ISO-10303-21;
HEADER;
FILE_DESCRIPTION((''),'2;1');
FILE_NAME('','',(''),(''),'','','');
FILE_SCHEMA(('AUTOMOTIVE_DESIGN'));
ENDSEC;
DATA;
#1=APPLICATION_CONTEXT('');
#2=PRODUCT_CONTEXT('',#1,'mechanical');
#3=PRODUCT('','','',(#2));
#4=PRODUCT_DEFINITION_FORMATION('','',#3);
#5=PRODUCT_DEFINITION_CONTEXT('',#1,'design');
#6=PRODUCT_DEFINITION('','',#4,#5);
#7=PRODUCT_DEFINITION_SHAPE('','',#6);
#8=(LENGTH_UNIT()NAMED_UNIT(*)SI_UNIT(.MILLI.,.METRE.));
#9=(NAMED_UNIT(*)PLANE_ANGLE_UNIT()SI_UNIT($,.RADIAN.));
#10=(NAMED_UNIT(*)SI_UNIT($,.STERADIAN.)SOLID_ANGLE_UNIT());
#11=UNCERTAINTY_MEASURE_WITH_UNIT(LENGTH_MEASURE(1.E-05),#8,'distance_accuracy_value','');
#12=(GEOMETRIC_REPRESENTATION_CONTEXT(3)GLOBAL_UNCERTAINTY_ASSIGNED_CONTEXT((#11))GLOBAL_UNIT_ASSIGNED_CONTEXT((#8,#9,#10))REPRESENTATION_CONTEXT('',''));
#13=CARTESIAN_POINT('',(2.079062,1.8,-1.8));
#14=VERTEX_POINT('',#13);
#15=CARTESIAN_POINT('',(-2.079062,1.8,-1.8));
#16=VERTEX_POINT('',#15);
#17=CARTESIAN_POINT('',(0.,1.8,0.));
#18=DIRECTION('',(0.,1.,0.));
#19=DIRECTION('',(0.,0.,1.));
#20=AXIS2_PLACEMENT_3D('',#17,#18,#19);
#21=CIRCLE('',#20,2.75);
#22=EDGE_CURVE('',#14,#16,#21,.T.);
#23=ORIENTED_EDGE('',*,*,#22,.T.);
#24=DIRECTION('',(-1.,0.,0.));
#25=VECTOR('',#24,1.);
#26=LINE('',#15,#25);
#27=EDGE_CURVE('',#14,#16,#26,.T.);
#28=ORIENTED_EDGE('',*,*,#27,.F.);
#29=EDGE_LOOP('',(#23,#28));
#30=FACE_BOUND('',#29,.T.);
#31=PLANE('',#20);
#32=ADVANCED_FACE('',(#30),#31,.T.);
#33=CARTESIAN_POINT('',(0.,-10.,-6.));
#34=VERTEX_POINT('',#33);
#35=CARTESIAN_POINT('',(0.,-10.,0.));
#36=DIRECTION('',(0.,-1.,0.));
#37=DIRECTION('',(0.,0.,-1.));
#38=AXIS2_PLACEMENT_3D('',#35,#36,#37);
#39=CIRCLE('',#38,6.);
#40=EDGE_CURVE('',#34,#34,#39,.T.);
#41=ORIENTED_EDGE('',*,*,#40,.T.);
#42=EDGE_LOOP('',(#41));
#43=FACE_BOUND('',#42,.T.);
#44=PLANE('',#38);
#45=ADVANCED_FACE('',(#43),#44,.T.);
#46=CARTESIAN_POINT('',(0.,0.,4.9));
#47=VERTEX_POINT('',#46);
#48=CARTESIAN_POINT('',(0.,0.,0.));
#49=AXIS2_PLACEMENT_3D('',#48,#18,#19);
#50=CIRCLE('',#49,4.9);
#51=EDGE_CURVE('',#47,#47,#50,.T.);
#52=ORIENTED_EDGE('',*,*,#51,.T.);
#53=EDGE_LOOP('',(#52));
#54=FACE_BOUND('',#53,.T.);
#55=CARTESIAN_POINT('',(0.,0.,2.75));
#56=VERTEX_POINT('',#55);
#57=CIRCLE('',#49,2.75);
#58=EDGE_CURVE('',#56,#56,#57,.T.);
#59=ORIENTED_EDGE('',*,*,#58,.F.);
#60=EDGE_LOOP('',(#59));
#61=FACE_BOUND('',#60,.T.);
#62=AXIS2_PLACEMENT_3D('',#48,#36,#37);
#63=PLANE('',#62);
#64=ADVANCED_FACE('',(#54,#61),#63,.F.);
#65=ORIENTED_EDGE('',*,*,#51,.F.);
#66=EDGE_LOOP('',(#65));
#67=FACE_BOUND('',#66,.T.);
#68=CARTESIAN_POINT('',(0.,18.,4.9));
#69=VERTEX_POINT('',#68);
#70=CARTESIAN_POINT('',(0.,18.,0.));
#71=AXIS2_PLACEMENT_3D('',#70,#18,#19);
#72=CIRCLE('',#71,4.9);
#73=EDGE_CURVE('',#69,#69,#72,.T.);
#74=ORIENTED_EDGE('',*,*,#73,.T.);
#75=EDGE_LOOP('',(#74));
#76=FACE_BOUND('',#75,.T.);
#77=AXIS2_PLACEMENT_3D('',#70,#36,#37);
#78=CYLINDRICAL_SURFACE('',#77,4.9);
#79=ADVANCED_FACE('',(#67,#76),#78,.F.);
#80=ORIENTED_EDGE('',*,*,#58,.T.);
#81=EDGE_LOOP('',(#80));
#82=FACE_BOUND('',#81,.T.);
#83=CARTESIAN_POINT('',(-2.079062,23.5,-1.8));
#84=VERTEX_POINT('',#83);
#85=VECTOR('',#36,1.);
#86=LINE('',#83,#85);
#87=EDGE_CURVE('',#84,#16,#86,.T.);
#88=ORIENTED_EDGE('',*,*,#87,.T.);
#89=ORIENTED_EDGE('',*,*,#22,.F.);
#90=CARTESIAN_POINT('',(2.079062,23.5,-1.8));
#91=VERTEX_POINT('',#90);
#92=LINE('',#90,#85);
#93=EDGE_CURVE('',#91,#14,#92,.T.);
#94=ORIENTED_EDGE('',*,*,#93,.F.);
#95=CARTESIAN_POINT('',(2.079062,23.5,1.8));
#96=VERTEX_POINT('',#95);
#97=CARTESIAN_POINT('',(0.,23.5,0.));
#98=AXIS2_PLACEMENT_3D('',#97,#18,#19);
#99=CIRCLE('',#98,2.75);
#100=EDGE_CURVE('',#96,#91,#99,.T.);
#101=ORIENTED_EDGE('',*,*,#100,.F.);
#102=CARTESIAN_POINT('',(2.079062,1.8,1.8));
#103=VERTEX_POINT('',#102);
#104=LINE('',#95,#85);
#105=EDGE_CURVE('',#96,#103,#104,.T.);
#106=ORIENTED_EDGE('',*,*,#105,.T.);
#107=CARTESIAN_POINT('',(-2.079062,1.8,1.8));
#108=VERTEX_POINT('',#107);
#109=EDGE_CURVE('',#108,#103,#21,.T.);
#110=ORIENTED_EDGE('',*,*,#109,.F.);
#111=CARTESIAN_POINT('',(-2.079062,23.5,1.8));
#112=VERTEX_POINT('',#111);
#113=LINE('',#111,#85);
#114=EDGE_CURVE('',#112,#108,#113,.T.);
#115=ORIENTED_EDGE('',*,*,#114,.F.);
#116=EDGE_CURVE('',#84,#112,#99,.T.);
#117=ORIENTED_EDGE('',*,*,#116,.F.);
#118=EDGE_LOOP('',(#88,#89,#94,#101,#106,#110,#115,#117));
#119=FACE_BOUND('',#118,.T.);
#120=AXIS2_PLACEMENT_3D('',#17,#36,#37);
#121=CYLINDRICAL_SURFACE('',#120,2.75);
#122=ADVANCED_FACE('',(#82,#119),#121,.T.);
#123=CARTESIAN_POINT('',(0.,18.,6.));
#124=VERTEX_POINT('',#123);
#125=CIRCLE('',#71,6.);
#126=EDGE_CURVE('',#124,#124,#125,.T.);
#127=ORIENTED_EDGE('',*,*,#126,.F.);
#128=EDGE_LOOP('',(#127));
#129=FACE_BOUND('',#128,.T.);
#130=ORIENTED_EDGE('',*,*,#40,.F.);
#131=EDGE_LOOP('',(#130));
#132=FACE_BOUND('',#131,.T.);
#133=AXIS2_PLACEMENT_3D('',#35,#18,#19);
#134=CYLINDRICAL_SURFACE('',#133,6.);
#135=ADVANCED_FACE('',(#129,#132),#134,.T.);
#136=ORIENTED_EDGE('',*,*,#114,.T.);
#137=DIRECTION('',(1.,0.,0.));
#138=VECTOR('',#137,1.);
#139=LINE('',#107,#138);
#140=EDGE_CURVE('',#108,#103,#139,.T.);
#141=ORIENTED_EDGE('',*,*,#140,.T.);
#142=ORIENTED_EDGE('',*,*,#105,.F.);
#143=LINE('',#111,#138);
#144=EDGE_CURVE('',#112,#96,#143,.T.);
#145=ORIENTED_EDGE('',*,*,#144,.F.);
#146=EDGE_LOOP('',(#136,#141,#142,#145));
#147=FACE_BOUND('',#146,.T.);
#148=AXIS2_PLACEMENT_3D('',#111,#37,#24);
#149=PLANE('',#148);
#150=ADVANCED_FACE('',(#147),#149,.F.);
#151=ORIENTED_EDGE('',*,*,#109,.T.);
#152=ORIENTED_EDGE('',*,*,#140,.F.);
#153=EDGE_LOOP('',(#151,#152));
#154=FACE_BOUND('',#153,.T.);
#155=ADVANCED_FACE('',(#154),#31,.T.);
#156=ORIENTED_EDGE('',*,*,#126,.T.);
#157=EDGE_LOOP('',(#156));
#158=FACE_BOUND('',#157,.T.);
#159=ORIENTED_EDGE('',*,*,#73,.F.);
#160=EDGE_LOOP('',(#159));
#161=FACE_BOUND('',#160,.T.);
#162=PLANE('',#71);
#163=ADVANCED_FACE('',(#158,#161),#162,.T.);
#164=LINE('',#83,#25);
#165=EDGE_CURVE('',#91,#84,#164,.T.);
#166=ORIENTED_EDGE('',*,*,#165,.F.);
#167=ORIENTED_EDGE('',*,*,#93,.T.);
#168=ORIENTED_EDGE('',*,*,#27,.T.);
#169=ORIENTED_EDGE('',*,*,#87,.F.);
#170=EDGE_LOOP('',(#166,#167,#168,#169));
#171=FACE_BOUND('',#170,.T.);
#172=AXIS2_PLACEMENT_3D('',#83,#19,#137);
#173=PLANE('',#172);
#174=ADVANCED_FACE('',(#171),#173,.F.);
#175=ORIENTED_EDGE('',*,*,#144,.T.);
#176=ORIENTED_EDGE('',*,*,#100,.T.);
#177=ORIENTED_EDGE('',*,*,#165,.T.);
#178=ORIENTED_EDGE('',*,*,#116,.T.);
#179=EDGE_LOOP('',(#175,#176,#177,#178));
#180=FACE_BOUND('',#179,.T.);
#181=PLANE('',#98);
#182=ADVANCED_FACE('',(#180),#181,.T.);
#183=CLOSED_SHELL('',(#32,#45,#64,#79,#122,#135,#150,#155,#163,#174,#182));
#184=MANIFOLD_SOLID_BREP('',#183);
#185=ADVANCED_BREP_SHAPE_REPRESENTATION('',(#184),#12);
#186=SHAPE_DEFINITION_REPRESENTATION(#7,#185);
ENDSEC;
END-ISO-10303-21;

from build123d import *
from build123d.topology import SkipClean

# Parameters (mm, degrees)
SKETCH1_R           = 2.75
BOSS_EXTRUDE1_DEPTH = 1.8
BOSS_EXTRUDE2_DEPTH = 21.7
SKETCH4_R           = 6
BOSS_EXTRUDE3_DEPTH = 10
BOSS_EXTRUDE4_START = 18
SKETCH5_R           = 6
SKETCH5_R_2         = 4.9
BOSS_EXTRUDE4_DEPTH = 18


with BuildPart() as part:
    # Sketch1 → Boss-Extrude1 (new body)
    with BuildSketch(Plane(origin=(0, 0, 0), x_dir=(1, 0, 0), z_dir=(0, 1, 0))):
        with Locations(Location((0, 0, 0), (0, 0, 270))):
            Circle(SKETCH1_R)
    extrude(amount=BOSS_EXTRUDE1_DEPTH)

    # Sketch3 → Boss-Extrude2 (add)
    with SkipClean():  # the faces are left unmerged after this step: merging them gives an invalid solid
        with BuildSketch(Plane(origin=(0, 1.8, 0), x_dir=(1, 0, 0), z_dir=(0, 1, 0))):
            with BuildLine():
                Line((-2.0790623, 1.799999987), (2.0790623, 1.799999987))
                ThreePointArc((2.0790623, 1.799999987), (2.75, 0), (2.0790623, -1.799999987))
                Line((2.0790623, -1.799999987), (-2.0790623, -1.799999987))
                ThreePointArc((-2.0790623, -1.799999987), (-2.75, 0), (-2.0790623, 1.799999987))
            make_face()
        extrude(amount=BOSS_EXTRUDE2_DEPTH)

    # Sketch4 → Boss-Extrude3 (add)
    with SkipClean():  # the faces are left unmerged after this step: merging them gives an invalid solid
        with BuildSketch(Plane.XZ):
            with Locations(Location((0, 0, 0), (0, 0, 270))):
                Circle(SKETCH4_R)
        extrude(amount=BOSS_EXTRUDE3_DEPTH)

    # Sketch5 → Boss-Extrude4 (add)
    with BuildSketch(Plane(origin=(0, 0, 0), x_dir=(1, 0, 0), z_dir=(0, 1, 0)).offset(BOSS_EXTRUDE4_START)):
        with Locations(Location((0, 0, 0), (0, 0, 270))):
            Circle(SKETCH5_R)
        with Locations(Location((0, 0, 0), (0, 0, 270))):
            Circle(SKETCH5_R_2, mode=Mode.SUBTRACT)
    extrude(amount=-BOSS_EXTRUDE4_DEPTH)


solid = part.part
